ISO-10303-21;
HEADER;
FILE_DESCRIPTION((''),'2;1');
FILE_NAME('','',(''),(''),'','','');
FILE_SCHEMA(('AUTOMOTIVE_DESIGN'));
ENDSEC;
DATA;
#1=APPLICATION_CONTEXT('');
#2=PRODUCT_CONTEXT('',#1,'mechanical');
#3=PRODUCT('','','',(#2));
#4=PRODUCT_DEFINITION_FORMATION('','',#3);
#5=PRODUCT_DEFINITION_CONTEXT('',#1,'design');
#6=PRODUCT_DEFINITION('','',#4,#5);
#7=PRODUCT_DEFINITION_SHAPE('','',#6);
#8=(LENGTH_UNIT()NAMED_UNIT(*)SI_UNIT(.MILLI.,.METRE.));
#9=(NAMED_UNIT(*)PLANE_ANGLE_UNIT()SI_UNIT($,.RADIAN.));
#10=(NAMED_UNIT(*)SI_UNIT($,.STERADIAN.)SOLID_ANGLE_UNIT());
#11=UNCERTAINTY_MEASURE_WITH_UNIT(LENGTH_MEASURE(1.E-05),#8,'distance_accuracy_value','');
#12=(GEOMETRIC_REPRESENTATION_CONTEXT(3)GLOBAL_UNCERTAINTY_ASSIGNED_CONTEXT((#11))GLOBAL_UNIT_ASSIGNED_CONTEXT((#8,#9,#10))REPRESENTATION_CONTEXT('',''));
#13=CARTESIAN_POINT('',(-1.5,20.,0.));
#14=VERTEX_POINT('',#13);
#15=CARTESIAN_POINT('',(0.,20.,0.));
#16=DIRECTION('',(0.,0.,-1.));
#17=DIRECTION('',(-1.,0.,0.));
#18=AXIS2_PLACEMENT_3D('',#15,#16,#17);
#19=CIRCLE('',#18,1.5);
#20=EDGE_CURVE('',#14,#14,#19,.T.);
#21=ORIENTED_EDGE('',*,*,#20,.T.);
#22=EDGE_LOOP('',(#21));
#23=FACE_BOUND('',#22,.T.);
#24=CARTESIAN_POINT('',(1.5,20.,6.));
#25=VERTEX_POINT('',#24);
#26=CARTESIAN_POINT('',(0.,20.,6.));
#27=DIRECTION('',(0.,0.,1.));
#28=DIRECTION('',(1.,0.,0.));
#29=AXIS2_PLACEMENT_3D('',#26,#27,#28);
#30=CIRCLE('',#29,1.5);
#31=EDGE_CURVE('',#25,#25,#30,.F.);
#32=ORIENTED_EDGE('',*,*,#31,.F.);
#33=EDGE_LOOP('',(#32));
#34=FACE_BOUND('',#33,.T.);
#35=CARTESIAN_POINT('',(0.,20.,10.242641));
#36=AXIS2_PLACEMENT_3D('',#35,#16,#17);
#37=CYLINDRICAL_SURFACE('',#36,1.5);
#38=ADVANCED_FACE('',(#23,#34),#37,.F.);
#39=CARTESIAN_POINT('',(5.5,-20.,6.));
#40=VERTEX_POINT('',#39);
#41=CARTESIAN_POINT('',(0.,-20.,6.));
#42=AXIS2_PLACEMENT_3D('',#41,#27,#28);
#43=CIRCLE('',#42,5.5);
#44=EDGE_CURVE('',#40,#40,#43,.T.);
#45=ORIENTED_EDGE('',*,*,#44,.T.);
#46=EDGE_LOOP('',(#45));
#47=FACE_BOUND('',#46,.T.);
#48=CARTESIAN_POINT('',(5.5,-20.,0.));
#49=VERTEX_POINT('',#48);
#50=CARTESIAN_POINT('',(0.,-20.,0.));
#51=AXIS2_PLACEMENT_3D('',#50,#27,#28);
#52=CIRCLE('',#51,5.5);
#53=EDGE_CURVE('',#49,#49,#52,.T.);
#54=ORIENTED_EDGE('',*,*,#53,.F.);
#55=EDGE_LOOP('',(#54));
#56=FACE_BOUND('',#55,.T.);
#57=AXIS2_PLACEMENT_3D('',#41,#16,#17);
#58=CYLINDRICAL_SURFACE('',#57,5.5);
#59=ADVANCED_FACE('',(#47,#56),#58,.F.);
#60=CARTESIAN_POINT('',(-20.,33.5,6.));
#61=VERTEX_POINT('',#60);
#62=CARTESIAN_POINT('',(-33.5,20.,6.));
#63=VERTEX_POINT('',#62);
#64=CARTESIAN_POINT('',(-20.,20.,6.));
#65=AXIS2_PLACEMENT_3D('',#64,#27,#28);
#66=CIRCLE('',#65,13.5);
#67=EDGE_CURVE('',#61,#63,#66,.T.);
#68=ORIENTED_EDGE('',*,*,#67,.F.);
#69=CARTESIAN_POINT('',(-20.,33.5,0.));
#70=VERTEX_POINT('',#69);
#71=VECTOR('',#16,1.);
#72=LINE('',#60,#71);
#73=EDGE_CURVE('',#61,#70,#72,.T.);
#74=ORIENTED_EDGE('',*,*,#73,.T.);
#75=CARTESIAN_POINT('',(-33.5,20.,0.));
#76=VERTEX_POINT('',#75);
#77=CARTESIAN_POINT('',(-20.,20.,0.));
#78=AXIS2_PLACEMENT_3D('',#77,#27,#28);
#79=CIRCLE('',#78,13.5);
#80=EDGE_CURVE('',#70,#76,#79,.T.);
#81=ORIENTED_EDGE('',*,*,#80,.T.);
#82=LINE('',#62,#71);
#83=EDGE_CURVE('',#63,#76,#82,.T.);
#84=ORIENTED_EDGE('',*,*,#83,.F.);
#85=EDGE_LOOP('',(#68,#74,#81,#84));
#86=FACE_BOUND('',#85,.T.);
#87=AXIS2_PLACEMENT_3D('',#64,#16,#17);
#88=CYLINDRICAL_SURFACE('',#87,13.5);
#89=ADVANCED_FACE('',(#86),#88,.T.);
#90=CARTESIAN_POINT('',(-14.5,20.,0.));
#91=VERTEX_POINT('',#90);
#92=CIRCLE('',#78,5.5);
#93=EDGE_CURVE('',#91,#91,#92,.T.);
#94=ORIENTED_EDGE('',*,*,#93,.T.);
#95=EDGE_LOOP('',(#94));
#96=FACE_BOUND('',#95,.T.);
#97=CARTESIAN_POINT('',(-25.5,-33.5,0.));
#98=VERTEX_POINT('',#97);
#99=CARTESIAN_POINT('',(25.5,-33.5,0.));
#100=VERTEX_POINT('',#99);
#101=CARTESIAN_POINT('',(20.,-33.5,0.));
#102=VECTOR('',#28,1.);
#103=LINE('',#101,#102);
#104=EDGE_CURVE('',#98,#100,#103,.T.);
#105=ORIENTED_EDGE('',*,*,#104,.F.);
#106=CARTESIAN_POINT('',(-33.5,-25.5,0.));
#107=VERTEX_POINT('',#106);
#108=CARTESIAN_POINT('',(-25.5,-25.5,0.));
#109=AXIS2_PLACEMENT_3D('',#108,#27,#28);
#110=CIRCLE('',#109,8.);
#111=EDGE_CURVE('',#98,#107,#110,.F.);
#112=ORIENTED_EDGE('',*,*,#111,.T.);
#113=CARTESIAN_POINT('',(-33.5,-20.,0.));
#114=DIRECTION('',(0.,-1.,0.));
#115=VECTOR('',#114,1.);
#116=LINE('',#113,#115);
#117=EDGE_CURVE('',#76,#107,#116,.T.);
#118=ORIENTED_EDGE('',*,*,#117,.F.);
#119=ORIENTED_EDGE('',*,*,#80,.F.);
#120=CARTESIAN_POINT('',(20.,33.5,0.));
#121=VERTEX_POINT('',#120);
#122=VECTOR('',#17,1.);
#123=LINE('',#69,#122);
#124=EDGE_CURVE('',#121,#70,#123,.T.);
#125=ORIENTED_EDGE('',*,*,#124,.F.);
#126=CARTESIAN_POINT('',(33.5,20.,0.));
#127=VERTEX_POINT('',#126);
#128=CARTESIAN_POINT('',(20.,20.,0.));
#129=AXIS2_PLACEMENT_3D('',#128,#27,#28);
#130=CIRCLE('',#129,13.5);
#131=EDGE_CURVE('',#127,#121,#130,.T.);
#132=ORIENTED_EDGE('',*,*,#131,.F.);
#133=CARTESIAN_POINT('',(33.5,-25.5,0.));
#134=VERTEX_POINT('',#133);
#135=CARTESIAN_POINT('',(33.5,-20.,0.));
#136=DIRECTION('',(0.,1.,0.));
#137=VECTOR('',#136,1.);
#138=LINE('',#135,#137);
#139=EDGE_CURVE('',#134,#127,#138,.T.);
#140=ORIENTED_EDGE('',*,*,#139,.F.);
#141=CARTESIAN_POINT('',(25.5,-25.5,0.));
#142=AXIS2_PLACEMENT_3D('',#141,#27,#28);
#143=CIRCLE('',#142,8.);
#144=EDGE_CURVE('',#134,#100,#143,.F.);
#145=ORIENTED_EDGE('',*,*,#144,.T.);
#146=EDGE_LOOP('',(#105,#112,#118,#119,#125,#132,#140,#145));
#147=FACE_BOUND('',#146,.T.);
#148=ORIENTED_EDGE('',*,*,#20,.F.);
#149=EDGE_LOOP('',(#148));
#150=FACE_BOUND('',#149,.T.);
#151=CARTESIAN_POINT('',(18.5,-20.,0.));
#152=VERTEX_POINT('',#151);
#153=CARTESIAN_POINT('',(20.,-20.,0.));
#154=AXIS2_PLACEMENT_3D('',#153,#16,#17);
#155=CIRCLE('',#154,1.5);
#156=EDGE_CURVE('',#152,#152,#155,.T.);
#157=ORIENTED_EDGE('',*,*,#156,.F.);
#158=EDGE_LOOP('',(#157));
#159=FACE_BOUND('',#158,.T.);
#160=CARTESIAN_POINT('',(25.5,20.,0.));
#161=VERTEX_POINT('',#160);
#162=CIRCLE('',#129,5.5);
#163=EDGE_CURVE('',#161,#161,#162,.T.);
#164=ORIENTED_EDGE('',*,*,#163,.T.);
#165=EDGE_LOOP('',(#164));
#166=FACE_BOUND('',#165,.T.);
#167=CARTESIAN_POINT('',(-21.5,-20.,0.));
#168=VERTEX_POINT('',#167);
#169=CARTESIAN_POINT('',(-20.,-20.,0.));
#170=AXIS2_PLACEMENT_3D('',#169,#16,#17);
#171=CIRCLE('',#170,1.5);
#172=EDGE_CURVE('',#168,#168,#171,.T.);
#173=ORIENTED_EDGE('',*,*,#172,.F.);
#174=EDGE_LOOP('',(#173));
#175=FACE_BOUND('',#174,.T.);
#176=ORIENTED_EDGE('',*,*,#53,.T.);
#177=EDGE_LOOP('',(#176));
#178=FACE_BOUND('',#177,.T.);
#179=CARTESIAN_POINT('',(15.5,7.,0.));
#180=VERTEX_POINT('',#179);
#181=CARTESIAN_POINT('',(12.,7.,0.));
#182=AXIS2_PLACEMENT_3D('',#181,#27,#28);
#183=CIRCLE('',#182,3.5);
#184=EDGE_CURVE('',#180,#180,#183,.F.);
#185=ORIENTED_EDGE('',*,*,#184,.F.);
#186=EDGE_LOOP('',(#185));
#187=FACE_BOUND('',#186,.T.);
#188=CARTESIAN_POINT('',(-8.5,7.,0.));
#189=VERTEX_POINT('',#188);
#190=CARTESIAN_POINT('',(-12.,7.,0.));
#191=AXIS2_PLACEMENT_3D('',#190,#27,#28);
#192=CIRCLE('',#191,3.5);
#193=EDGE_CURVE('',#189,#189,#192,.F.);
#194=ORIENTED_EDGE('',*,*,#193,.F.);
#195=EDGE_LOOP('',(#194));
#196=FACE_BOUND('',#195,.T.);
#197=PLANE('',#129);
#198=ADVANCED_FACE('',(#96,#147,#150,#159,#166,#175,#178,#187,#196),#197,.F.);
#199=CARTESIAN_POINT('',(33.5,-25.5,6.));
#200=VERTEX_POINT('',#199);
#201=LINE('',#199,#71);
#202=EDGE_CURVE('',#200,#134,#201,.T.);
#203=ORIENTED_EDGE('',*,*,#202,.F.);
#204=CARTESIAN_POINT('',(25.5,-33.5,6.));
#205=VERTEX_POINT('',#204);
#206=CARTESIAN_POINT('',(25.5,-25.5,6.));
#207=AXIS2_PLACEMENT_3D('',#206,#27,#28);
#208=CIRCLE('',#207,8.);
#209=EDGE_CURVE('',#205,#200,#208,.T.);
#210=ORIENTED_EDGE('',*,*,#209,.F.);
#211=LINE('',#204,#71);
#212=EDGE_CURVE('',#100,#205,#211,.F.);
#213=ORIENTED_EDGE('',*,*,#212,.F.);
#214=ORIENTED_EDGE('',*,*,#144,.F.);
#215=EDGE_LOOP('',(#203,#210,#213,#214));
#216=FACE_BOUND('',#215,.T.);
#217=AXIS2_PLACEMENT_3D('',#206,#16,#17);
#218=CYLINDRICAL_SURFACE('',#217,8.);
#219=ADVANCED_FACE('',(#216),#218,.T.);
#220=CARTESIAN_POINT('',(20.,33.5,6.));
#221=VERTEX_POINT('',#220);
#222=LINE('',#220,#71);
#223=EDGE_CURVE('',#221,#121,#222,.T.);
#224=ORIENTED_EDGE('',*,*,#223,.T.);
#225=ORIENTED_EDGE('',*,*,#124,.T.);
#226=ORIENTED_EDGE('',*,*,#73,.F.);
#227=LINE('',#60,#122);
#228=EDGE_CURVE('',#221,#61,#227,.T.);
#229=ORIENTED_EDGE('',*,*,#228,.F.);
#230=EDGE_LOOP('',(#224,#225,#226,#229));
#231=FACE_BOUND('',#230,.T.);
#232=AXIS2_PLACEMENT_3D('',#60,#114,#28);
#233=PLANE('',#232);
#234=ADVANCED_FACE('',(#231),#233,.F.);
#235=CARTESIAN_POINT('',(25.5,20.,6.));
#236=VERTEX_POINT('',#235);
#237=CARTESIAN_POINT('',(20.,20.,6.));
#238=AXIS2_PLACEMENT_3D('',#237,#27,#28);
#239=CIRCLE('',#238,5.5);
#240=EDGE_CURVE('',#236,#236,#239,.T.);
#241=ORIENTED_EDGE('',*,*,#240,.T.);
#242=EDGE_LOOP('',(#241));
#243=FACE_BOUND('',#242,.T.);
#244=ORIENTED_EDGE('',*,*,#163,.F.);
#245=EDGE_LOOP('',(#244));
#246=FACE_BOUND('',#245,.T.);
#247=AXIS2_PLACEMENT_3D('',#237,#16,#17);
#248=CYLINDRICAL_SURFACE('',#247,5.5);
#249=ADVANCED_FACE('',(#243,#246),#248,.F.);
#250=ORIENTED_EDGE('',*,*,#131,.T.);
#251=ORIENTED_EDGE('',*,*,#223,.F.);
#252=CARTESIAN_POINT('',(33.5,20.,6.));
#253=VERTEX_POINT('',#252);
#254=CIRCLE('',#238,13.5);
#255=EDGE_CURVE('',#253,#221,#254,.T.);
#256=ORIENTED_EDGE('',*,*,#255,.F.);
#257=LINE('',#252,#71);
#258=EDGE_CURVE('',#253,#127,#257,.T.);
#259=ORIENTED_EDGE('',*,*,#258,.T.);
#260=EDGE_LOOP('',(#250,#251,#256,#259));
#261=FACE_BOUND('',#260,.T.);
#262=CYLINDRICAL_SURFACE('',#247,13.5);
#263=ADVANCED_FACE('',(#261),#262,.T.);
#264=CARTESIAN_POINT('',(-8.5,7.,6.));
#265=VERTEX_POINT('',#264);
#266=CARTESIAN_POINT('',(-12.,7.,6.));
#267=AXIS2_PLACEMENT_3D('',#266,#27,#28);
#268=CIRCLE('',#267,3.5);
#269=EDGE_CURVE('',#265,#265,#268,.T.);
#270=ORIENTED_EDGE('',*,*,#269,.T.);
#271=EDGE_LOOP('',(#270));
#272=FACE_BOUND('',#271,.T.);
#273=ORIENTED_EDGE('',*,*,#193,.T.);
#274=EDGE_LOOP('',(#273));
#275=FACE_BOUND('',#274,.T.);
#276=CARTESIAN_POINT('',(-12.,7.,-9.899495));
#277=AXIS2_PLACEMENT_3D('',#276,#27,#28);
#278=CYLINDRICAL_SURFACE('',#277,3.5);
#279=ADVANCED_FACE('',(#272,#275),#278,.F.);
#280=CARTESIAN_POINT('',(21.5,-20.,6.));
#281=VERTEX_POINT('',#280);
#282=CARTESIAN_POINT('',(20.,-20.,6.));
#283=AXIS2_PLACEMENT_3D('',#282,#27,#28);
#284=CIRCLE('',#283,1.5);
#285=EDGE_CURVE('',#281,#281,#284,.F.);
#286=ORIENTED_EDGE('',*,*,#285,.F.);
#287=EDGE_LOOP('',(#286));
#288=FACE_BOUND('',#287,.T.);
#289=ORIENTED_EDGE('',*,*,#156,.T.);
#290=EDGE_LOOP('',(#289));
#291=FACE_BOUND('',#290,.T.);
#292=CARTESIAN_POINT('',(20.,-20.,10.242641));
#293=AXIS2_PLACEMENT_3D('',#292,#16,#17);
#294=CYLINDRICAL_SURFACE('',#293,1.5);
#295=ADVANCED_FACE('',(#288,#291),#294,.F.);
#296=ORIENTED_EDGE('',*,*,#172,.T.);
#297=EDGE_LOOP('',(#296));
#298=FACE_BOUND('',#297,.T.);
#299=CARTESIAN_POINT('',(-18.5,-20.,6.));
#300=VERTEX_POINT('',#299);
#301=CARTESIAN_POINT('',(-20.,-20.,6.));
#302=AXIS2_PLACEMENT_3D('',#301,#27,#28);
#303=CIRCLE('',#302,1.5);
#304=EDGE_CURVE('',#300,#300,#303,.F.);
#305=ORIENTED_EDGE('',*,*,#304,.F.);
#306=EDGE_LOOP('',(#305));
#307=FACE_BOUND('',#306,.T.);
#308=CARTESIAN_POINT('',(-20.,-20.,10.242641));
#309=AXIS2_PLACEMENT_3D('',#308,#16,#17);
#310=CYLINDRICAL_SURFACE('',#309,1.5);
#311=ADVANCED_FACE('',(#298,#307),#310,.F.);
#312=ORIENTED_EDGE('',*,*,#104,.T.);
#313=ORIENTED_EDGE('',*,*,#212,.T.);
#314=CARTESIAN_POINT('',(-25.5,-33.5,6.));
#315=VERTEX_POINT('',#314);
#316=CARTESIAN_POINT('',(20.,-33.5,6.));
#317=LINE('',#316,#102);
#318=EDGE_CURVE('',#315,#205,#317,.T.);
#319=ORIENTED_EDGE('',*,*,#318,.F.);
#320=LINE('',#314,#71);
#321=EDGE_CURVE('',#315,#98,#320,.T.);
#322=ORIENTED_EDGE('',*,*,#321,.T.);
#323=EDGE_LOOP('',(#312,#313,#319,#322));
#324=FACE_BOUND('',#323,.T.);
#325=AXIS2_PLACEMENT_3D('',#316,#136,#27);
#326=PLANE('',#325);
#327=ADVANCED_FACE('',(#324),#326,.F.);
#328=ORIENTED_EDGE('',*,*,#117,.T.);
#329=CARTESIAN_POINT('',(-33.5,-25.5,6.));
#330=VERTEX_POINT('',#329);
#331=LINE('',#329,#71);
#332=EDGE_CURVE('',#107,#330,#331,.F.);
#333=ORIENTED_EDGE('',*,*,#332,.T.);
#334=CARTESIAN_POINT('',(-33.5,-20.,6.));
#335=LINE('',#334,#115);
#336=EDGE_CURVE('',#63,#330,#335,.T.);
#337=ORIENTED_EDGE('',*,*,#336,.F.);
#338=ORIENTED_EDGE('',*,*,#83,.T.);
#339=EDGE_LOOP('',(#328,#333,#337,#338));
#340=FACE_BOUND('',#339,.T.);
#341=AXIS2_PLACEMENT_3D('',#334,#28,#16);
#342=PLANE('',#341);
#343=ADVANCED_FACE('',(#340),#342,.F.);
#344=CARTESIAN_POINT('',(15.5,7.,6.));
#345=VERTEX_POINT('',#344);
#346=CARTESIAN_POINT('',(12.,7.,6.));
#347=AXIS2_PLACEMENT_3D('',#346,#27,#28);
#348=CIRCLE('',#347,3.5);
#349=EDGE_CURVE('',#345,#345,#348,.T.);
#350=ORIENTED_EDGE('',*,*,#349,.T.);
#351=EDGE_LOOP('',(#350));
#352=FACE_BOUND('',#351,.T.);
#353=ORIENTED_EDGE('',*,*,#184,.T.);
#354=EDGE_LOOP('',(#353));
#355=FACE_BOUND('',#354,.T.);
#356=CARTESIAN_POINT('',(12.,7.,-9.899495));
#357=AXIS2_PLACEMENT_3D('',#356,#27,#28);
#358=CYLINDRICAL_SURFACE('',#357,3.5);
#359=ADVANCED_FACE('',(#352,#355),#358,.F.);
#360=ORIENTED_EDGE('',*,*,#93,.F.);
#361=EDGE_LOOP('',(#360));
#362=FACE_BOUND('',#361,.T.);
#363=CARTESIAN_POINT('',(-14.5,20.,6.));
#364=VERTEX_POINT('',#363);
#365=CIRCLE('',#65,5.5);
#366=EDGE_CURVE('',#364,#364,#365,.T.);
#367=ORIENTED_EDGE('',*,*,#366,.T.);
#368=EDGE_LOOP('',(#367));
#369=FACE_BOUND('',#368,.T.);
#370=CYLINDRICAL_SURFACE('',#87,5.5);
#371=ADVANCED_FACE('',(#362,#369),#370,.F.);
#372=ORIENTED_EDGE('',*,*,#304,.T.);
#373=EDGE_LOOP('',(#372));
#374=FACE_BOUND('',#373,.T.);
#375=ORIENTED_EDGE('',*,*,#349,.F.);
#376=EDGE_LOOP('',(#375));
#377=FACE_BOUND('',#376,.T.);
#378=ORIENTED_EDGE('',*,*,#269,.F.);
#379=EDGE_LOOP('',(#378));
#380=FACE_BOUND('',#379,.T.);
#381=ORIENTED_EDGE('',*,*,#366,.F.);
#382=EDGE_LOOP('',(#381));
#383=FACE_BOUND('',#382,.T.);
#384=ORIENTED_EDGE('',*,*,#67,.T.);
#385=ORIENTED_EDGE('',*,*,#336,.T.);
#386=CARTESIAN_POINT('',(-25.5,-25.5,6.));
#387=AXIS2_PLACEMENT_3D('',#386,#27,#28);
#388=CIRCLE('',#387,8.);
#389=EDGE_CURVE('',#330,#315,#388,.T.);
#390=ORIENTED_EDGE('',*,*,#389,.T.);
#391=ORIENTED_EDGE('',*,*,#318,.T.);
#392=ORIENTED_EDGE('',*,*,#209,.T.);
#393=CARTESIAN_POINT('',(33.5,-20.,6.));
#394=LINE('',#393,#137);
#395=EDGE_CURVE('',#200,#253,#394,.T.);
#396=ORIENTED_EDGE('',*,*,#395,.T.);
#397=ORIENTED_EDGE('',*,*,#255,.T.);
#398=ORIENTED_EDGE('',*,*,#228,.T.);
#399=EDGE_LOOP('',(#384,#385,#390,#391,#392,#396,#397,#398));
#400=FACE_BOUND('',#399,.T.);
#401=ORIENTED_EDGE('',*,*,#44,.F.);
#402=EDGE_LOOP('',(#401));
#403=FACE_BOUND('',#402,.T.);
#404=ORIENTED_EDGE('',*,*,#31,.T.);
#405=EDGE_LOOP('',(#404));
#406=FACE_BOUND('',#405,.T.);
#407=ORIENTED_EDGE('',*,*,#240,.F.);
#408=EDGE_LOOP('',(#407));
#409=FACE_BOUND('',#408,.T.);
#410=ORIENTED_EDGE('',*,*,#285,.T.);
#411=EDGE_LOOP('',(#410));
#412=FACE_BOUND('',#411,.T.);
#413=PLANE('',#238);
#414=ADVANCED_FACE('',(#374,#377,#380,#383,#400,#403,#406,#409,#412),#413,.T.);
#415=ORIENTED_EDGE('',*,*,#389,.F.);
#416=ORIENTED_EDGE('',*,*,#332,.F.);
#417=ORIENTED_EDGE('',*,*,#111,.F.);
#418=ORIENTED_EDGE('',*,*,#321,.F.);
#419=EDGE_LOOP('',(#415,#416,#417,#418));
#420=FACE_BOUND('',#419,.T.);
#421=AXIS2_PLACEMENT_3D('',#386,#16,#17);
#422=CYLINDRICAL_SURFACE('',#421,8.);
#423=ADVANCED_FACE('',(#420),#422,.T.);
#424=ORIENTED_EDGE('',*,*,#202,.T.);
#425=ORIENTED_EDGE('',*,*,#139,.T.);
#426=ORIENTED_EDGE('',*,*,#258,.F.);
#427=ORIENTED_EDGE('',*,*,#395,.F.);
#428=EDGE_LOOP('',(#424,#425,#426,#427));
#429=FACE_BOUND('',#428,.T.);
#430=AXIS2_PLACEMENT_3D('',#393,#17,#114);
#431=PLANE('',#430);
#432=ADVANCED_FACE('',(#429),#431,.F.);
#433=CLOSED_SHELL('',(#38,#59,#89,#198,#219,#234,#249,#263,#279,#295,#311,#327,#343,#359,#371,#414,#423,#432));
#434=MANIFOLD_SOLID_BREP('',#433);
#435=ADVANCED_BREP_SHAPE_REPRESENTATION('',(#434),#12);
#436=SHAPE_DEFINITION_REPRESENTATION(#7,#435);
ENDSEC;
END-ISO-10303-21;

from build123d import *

# Parameters (mm, degrees)
ESBO_O1_R                = 5.5
RESSALTO_EXTRUS_O1_DEPTH = 6
ESBO_O2_W                = 13.5
ESBO_O2_H                = 13.5
RESSALTO_EXTRUS_O2_DEPTH = 6
FILETE1_R                = 8
ESBO_O3_R                = 1.5
CORTE_EXTRUS_O1_DEPTH    = 6
ESBO_O5_R                = 3.5
CORTE_EXTRUS_O2_DEPTH    = 6


with BuildPart() as part:
    # Esboço1 → Ressalto-extrusão1 (new body)
    with BuildSketch(Plane.XY):
        with BuildLine():
            Line((-20, 33.5), (20, 33.5))
            ThreePointArc((20, 33.5), (29.545941546, 29.545941546), (33.5, 20))
            Line((33.5, 20), (33.5, -20))
            ThreePointArc((33.5, -20), (29.545941546, -29.545941546), (20, -33.5))
            Line((20, -33.5), (-20, -33.5))
            ThreePointArc((-20, -33.5), (-29.545941546, -29.545941546), (-33.5, -20))
            Line((-33.5, -20), (-33.5, 20))
            ThreePointArc((-33.5, 20), (-29.545941546, 29.545941546), (-20, 33.5))
        make_face()
        with Locations((-20, 20)):
            Circle(ESBO_O1_R, mode=Mode.SUBTRACT)
        with Locations((20, 20)):
            Circle(ESBO_O1_R, mode=Mode.SUBTRACT)
        with Locations((0, -20)):
            Circle(ESBO_O1_R, mode=Mode.SUBTRACT)
    extrude(amount=RESSALTO_EXTRUS_O1_DEPTH)

    # Esboço2 → Ressalto-extrusão2 (add)
    with BuildSketch(Plane(origin=(0, 0, 0), x_dir=(-1, 0, 0), z_dir=(0, 0, -1))):
        with Locations((-26.75, -26.75)):
            Rectangle(ESBO_O2_W, ESBO_O2_H)
        with Locations((26.75, -26.75)):
            Rectangle(ESBO_O2_W, ESBO_O2_H)
    extrude(amount=-RESSALTO_EXTRUS_O2_DEPTH)

    # Filete1
    filete1_edges = [part.edges().sort_by_distance(p)[0] for p in [
        (33.5, -33.5, 3),
        (-33.5, -33.5, 3),
    ]]
    fillet(filete1_edges, radius=FILETE1_R)

    # Esboço3 → Corte-extrusão1 (cut)
    with BuildSketch(Plane(origin=(0, 0, 0), x_dir=(-1, 0, 0), z_dir=(0, 0, -1))):
        with Locations((0, 20)):
            Circle(ESBO_O3_R)
        with Locations((20, -20)):
            Circle(ESBO_O3_R)
        with Locations((-20, -20)):
            Circle(ESBO_O3_R)
    extrude(amount=-CORTE_EXTRUS_O1_DEPTH, mode=Mode.SUBTRACT)

    # Esboço5 → Corte-extrusão2 (cut)
    with BuildSketch(Plane.XY.offset(6)):
        with Locations((-12, 7)):
            Circle(ESBO_O5_R)
        with Locations((12, 7)):
            Circle(ESBO_O5_R)
    extrude(amount=-CORTE_EXTRUS_O2_DEPTH, mode=Mode.SUBTRACT)


solid = part.part
